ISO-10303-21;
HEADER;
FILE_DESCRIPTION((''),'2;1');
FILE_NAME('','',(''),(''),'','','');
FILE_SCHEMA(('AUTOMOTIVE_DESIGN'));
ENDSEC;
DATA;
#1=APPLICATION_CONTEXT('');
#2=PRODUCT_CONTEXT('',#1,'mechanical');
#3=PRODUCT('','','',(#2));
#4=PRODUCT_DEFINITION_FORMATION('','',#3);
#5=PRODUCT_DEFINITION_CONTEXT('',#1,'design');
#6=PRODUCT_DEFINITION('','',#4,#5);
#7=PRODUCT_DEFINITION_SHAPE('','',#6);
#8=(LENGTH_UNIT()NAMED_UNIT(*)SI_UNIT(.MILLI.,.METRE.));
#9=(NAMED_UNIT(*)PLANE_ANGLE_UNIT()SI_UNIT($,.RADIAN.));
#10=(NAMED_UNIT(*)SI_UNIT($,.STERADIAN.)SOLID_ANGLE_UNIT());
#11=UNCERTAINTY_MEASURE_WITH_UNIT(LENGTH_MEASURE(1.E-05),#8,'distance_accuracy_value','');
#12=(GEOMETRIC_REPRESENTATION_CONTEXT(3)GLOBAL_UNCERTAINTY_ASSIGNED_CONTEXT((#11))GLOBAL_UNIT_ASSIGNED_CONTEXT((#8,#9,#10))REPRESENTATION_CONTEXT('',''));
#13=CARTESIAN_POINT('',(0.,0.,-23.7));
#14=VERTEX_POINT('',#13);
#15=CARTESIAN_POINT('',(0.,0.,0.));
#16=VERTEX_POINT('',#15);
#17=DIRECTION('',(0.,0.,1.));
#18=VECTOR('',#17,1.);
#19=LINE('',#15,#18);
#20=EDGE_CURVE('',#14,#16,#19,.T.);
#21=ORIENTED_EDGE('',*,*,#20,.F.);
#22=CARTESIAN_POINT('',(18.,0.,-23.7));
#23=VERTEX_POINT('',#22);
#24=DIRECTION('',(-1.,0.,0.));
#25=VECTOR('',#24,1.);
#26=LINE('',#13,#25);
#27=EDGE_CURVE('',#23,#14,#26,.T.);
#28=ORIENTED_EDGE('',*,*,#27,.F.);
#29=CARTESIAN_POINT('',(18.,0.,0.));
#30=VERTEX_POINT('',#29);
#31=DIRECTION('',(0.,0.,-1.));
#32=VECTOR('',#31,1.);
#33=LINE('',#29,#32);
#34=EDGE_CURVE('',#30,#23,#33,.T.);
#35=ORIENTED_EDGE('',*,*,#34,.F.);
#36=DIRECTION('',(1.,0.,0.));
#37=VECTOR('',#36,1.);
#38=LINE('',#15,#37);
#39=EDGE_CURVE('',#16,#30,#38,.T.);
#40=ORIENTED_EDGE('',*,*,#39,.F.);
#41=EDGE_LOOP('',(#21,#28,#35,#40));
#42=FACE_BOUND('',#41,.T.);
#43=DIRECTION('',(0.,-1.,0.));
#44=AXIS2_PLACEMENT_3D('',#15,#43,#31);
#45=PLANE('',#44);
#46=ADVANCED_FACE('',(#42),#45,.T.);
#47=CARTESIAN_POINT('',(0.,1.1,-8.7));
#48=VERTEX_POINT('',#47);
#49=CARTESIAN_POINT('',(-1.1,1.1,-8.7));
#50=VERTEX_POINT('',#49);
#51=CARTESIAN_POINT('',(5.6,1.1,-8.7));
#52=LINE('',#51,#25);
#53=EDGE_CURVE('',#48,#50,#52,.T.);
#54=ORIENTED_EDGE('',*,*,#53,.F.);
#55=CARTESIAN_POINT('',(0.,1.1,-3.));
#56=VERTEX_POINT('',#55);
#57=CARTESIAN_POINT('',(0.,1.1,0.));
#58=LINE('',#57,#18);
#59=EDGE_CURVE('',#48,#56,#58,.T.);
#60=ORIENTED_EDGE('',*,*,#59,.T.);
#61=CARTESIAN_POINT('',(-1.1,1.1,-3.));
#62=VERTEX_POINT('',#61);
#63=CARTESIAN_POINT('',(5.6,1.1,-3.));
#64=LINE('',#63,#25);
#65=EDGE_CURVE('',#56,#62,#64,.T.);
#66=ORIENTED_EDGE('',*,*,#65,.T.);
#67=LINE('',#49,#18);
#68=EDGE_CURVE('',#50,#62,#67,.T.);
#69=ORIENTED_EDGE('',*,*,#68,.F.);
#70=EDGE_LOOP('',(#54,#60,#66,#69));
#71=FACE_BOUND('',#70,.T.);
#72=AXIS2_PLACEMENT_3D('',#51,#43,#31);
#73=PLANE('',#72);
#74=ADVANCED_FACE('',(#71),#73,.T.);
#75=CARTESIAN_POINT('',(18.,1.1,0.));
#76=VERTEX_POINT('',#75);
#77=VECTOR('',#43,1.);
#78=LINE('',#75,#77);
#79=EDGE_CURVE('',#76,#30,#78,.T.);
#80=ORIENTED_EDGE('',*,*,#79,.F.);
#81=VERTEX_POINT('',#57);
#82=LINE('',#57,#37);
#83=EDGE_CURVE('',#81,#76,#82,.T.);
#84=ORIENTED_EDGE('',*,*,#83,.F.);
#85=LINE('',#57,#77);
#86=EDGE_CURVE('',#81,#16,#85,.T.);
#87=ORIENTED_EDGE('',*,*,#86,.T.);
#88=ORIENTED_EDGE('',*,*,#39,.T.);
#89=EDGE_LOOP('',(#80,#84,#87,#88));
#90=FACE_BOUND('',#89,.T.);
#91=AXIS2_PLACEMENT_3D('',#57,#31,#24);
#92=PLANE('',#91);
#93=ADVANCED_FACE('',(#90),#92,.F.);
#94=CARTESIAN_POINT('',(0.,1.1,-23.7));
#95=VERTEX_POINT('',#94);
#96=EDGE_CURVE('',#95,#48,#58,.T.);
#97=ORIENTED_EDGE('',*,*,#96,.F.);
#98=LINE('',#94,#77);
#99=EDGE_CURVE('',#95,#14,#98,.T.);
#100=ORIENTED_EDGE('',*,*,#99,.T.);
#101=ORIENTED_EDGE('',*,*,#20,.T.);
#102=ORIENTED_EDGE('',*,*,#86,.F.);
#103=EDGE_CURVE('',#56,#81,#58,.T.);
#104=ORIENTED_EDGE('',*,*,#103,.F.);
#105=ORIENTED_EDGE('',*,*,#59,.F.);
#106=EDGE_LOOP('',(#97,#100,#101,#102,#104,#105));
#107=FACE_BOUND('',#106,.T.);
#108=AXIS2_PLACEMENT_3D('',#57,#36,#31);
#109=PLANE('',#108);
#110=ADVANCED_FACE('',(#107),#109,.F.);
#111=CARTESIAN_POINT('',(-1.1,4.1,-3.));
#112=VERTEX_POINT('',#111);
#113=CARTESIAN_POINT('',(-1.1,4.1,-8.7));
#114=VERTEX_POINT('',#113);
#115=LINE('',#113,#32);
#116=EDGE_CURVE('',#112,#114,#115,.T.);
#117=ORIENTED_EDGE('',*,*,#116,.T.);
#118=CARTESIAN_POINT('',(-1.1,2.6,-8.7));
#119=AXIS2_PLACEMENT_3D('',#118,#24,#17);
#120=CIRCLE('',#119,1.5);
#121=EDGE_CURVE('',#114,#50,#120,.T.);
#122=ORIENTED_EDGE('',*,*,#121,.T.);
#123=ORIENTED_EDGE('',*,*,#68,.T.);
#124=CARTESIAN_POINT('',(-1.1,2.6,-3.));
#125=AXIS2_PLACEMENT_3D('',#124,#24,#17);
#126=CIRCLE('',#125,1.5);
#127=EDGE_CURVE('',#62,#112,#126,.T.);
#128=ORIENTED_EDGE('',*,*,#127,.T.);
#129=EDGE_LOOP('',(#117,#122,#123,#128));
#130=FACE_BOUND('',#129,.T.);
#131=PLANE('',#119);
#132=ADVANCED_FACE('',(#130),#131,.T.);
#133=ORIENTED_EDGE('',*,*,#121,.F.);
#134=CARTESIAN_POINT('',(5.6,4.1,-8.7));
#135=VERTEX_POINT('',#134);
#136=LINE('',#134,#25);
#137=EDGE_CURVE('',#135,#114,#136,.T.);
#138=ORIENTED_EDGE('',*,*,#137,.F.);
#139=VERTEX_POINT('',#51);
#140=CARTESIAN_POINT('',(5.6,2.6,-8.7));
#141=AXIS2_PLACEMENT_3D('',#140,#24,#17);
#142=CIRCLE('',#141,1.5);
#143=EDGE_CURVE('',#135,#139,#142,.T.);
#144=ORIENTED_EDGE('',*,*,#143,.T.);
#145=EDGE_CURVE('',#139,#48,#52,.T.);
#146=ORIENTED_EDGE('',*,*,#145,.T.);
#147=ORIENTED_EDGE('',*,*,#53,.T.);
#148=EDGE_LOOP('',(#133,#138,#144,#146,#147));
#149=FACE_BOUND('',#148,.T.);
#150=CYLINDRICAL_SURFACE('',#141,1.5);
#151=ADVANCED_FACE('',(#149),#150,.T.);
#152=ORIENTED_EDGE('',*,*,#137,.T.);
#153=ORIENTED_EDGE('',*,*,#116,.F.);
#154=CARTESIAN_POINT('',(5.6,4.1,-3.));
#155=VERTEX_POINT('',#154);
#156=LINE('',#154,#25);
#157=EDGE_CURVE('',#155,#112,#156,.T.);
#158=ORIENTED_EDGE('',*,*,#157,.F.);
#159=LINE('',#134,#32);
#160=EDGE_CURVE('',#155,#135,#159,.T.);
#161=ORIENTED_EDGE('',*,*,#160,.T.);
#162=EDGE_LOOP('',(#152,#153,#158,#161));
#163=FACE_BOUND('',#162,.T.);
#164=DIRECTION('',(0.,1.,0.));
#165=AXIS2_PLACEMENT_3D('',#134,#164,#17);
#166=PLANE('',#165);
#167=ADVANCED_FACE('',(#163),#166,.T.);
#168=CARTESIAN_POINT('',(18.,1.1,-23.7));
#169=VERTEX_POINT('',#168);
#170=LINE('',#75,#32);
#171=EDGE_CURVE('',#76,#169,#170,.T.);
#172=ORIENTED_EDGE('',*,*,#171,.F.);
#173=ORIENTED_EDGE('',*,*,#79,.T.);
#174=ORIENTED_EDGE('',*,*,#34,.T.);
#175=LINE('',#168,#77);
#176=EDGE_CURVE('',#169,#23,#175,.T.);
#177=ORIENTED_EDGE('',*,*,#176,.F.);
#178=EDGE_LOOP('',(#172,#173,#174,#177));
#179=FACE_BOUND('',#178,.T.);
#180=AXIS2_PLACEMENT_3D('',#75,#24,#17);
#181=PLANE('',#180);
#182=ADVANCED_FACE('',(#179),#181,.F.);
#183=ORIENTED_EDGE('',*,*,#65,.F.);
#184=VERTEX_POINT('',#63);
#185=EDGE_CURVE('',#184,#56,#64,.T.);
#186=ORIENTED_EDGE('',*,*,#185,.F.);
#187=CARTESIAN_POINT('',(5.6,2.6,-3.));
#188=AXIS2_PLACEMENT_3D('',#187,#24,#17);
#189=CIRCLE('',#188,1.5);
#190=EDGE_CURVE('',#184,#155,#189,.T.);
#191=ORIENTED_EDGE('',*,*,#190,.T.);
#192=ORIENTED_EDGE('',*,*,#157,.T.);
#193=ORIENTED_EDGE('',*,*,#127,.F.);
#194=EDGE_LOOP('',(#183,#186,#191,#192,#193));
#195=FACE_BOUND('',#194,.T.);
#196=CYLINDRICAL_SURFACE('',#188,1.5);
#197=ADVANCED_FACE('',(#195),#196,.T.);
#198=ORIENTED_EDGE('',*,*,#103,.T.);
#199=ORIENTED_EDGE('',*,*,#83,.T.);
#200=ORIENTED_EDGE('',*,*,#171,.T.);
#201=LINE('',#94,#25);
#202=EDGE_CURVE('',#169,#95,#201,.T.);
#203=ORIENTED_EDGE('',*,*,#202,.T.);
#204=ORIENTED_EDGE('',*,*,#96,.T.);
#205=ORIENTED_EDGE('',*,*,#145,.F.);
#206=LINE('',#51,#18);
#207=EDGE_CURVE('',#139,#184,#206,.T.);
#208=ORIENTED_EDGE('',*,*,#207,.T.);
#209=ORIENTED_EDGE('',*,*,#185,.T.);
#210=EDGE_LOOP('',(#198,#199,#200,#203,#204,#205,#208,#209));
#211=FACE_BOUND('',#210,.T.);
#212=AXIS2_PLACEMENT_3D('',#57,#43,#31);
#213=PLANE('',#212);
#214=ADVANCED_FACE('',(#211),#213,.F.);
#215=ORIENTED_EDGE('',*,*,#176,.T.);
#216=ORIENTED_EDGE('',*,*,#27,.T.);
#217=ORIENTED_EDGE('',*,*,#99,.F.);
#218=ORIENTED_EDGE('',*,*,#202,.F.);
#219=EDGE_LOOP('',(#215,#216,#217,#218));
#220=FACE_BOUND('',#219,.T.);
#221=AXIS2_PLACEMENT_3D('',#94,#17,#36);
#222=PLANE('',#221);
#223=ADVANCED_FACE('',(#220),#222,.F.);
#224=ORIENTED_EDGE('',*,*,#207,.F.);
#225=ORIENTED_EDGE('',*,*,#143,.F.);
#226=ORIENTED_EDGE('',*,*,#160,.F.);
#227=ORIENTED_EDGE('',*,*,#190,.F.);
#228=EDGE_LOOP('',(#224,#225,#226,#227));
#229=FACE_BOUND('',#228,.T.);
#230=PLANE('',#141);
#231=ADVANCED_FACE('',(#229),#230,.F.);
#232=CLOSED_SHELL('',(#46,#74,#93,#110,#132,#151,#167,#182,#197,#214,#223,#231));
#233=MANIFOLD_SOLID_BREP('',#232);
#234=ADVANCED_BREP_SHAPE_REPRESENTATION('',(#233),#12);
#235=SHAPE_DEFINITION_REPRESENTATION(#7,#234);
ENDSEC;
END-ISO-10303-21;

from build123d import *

# Parameters (mm, degrees)
ESBO_O1_W                     = 18
ESBO_O1_H                     = 23.7
RESSALTO_EXTRUS_O1_DEPTH      = 1.1
RESSALTO_EXTRUS_O2_DEPTH      = 1.1
RESSALTO_EXTRUS_O2_DEPTH_BACK = 5.6


with BuildPart() as part:
    # Esboço1 → Ressalto-extrusão1 (new body)
    with BuildSketch(Plane(origin=(0, 0, 0), x_dir=(1, 0, 0), z_dir=(0, 1, 0))):
        with Locations((9, 11.85)):
            Rectangle(ESBO_O1_W, ESBO_O1_H)
    extrude(amount=RESSALTO_EXTRUS_O1_DEPTH)

    # Esboço2 → Ressalto-extrusão2 (add, two sides)
    with BuildSketch(Plane.ZY) as ressalto_extrus_o2_sk:
        with BuildLine():
            Line((-8.7, 4.1), (-3, 4.1))
            ThreePointArc((-3, 4.1), (-1.5, 2.6), (-3, 1.1))
            Line((-3, 1.1), (-8.7, 1.1))
            ThreePointArc((-8.7, 1.1), (-10.2, 2.6), (-8.7, 4.1))
        make_face()
    extrude(amount=RESSALTO_EXTRUS_O2_DEPTH)
    extrude(ressalto_extrus_o2_sk.sketch, amount=-RESSALTO_EXTRUS_O2_DEPTH_BACK)


solid = part.part
